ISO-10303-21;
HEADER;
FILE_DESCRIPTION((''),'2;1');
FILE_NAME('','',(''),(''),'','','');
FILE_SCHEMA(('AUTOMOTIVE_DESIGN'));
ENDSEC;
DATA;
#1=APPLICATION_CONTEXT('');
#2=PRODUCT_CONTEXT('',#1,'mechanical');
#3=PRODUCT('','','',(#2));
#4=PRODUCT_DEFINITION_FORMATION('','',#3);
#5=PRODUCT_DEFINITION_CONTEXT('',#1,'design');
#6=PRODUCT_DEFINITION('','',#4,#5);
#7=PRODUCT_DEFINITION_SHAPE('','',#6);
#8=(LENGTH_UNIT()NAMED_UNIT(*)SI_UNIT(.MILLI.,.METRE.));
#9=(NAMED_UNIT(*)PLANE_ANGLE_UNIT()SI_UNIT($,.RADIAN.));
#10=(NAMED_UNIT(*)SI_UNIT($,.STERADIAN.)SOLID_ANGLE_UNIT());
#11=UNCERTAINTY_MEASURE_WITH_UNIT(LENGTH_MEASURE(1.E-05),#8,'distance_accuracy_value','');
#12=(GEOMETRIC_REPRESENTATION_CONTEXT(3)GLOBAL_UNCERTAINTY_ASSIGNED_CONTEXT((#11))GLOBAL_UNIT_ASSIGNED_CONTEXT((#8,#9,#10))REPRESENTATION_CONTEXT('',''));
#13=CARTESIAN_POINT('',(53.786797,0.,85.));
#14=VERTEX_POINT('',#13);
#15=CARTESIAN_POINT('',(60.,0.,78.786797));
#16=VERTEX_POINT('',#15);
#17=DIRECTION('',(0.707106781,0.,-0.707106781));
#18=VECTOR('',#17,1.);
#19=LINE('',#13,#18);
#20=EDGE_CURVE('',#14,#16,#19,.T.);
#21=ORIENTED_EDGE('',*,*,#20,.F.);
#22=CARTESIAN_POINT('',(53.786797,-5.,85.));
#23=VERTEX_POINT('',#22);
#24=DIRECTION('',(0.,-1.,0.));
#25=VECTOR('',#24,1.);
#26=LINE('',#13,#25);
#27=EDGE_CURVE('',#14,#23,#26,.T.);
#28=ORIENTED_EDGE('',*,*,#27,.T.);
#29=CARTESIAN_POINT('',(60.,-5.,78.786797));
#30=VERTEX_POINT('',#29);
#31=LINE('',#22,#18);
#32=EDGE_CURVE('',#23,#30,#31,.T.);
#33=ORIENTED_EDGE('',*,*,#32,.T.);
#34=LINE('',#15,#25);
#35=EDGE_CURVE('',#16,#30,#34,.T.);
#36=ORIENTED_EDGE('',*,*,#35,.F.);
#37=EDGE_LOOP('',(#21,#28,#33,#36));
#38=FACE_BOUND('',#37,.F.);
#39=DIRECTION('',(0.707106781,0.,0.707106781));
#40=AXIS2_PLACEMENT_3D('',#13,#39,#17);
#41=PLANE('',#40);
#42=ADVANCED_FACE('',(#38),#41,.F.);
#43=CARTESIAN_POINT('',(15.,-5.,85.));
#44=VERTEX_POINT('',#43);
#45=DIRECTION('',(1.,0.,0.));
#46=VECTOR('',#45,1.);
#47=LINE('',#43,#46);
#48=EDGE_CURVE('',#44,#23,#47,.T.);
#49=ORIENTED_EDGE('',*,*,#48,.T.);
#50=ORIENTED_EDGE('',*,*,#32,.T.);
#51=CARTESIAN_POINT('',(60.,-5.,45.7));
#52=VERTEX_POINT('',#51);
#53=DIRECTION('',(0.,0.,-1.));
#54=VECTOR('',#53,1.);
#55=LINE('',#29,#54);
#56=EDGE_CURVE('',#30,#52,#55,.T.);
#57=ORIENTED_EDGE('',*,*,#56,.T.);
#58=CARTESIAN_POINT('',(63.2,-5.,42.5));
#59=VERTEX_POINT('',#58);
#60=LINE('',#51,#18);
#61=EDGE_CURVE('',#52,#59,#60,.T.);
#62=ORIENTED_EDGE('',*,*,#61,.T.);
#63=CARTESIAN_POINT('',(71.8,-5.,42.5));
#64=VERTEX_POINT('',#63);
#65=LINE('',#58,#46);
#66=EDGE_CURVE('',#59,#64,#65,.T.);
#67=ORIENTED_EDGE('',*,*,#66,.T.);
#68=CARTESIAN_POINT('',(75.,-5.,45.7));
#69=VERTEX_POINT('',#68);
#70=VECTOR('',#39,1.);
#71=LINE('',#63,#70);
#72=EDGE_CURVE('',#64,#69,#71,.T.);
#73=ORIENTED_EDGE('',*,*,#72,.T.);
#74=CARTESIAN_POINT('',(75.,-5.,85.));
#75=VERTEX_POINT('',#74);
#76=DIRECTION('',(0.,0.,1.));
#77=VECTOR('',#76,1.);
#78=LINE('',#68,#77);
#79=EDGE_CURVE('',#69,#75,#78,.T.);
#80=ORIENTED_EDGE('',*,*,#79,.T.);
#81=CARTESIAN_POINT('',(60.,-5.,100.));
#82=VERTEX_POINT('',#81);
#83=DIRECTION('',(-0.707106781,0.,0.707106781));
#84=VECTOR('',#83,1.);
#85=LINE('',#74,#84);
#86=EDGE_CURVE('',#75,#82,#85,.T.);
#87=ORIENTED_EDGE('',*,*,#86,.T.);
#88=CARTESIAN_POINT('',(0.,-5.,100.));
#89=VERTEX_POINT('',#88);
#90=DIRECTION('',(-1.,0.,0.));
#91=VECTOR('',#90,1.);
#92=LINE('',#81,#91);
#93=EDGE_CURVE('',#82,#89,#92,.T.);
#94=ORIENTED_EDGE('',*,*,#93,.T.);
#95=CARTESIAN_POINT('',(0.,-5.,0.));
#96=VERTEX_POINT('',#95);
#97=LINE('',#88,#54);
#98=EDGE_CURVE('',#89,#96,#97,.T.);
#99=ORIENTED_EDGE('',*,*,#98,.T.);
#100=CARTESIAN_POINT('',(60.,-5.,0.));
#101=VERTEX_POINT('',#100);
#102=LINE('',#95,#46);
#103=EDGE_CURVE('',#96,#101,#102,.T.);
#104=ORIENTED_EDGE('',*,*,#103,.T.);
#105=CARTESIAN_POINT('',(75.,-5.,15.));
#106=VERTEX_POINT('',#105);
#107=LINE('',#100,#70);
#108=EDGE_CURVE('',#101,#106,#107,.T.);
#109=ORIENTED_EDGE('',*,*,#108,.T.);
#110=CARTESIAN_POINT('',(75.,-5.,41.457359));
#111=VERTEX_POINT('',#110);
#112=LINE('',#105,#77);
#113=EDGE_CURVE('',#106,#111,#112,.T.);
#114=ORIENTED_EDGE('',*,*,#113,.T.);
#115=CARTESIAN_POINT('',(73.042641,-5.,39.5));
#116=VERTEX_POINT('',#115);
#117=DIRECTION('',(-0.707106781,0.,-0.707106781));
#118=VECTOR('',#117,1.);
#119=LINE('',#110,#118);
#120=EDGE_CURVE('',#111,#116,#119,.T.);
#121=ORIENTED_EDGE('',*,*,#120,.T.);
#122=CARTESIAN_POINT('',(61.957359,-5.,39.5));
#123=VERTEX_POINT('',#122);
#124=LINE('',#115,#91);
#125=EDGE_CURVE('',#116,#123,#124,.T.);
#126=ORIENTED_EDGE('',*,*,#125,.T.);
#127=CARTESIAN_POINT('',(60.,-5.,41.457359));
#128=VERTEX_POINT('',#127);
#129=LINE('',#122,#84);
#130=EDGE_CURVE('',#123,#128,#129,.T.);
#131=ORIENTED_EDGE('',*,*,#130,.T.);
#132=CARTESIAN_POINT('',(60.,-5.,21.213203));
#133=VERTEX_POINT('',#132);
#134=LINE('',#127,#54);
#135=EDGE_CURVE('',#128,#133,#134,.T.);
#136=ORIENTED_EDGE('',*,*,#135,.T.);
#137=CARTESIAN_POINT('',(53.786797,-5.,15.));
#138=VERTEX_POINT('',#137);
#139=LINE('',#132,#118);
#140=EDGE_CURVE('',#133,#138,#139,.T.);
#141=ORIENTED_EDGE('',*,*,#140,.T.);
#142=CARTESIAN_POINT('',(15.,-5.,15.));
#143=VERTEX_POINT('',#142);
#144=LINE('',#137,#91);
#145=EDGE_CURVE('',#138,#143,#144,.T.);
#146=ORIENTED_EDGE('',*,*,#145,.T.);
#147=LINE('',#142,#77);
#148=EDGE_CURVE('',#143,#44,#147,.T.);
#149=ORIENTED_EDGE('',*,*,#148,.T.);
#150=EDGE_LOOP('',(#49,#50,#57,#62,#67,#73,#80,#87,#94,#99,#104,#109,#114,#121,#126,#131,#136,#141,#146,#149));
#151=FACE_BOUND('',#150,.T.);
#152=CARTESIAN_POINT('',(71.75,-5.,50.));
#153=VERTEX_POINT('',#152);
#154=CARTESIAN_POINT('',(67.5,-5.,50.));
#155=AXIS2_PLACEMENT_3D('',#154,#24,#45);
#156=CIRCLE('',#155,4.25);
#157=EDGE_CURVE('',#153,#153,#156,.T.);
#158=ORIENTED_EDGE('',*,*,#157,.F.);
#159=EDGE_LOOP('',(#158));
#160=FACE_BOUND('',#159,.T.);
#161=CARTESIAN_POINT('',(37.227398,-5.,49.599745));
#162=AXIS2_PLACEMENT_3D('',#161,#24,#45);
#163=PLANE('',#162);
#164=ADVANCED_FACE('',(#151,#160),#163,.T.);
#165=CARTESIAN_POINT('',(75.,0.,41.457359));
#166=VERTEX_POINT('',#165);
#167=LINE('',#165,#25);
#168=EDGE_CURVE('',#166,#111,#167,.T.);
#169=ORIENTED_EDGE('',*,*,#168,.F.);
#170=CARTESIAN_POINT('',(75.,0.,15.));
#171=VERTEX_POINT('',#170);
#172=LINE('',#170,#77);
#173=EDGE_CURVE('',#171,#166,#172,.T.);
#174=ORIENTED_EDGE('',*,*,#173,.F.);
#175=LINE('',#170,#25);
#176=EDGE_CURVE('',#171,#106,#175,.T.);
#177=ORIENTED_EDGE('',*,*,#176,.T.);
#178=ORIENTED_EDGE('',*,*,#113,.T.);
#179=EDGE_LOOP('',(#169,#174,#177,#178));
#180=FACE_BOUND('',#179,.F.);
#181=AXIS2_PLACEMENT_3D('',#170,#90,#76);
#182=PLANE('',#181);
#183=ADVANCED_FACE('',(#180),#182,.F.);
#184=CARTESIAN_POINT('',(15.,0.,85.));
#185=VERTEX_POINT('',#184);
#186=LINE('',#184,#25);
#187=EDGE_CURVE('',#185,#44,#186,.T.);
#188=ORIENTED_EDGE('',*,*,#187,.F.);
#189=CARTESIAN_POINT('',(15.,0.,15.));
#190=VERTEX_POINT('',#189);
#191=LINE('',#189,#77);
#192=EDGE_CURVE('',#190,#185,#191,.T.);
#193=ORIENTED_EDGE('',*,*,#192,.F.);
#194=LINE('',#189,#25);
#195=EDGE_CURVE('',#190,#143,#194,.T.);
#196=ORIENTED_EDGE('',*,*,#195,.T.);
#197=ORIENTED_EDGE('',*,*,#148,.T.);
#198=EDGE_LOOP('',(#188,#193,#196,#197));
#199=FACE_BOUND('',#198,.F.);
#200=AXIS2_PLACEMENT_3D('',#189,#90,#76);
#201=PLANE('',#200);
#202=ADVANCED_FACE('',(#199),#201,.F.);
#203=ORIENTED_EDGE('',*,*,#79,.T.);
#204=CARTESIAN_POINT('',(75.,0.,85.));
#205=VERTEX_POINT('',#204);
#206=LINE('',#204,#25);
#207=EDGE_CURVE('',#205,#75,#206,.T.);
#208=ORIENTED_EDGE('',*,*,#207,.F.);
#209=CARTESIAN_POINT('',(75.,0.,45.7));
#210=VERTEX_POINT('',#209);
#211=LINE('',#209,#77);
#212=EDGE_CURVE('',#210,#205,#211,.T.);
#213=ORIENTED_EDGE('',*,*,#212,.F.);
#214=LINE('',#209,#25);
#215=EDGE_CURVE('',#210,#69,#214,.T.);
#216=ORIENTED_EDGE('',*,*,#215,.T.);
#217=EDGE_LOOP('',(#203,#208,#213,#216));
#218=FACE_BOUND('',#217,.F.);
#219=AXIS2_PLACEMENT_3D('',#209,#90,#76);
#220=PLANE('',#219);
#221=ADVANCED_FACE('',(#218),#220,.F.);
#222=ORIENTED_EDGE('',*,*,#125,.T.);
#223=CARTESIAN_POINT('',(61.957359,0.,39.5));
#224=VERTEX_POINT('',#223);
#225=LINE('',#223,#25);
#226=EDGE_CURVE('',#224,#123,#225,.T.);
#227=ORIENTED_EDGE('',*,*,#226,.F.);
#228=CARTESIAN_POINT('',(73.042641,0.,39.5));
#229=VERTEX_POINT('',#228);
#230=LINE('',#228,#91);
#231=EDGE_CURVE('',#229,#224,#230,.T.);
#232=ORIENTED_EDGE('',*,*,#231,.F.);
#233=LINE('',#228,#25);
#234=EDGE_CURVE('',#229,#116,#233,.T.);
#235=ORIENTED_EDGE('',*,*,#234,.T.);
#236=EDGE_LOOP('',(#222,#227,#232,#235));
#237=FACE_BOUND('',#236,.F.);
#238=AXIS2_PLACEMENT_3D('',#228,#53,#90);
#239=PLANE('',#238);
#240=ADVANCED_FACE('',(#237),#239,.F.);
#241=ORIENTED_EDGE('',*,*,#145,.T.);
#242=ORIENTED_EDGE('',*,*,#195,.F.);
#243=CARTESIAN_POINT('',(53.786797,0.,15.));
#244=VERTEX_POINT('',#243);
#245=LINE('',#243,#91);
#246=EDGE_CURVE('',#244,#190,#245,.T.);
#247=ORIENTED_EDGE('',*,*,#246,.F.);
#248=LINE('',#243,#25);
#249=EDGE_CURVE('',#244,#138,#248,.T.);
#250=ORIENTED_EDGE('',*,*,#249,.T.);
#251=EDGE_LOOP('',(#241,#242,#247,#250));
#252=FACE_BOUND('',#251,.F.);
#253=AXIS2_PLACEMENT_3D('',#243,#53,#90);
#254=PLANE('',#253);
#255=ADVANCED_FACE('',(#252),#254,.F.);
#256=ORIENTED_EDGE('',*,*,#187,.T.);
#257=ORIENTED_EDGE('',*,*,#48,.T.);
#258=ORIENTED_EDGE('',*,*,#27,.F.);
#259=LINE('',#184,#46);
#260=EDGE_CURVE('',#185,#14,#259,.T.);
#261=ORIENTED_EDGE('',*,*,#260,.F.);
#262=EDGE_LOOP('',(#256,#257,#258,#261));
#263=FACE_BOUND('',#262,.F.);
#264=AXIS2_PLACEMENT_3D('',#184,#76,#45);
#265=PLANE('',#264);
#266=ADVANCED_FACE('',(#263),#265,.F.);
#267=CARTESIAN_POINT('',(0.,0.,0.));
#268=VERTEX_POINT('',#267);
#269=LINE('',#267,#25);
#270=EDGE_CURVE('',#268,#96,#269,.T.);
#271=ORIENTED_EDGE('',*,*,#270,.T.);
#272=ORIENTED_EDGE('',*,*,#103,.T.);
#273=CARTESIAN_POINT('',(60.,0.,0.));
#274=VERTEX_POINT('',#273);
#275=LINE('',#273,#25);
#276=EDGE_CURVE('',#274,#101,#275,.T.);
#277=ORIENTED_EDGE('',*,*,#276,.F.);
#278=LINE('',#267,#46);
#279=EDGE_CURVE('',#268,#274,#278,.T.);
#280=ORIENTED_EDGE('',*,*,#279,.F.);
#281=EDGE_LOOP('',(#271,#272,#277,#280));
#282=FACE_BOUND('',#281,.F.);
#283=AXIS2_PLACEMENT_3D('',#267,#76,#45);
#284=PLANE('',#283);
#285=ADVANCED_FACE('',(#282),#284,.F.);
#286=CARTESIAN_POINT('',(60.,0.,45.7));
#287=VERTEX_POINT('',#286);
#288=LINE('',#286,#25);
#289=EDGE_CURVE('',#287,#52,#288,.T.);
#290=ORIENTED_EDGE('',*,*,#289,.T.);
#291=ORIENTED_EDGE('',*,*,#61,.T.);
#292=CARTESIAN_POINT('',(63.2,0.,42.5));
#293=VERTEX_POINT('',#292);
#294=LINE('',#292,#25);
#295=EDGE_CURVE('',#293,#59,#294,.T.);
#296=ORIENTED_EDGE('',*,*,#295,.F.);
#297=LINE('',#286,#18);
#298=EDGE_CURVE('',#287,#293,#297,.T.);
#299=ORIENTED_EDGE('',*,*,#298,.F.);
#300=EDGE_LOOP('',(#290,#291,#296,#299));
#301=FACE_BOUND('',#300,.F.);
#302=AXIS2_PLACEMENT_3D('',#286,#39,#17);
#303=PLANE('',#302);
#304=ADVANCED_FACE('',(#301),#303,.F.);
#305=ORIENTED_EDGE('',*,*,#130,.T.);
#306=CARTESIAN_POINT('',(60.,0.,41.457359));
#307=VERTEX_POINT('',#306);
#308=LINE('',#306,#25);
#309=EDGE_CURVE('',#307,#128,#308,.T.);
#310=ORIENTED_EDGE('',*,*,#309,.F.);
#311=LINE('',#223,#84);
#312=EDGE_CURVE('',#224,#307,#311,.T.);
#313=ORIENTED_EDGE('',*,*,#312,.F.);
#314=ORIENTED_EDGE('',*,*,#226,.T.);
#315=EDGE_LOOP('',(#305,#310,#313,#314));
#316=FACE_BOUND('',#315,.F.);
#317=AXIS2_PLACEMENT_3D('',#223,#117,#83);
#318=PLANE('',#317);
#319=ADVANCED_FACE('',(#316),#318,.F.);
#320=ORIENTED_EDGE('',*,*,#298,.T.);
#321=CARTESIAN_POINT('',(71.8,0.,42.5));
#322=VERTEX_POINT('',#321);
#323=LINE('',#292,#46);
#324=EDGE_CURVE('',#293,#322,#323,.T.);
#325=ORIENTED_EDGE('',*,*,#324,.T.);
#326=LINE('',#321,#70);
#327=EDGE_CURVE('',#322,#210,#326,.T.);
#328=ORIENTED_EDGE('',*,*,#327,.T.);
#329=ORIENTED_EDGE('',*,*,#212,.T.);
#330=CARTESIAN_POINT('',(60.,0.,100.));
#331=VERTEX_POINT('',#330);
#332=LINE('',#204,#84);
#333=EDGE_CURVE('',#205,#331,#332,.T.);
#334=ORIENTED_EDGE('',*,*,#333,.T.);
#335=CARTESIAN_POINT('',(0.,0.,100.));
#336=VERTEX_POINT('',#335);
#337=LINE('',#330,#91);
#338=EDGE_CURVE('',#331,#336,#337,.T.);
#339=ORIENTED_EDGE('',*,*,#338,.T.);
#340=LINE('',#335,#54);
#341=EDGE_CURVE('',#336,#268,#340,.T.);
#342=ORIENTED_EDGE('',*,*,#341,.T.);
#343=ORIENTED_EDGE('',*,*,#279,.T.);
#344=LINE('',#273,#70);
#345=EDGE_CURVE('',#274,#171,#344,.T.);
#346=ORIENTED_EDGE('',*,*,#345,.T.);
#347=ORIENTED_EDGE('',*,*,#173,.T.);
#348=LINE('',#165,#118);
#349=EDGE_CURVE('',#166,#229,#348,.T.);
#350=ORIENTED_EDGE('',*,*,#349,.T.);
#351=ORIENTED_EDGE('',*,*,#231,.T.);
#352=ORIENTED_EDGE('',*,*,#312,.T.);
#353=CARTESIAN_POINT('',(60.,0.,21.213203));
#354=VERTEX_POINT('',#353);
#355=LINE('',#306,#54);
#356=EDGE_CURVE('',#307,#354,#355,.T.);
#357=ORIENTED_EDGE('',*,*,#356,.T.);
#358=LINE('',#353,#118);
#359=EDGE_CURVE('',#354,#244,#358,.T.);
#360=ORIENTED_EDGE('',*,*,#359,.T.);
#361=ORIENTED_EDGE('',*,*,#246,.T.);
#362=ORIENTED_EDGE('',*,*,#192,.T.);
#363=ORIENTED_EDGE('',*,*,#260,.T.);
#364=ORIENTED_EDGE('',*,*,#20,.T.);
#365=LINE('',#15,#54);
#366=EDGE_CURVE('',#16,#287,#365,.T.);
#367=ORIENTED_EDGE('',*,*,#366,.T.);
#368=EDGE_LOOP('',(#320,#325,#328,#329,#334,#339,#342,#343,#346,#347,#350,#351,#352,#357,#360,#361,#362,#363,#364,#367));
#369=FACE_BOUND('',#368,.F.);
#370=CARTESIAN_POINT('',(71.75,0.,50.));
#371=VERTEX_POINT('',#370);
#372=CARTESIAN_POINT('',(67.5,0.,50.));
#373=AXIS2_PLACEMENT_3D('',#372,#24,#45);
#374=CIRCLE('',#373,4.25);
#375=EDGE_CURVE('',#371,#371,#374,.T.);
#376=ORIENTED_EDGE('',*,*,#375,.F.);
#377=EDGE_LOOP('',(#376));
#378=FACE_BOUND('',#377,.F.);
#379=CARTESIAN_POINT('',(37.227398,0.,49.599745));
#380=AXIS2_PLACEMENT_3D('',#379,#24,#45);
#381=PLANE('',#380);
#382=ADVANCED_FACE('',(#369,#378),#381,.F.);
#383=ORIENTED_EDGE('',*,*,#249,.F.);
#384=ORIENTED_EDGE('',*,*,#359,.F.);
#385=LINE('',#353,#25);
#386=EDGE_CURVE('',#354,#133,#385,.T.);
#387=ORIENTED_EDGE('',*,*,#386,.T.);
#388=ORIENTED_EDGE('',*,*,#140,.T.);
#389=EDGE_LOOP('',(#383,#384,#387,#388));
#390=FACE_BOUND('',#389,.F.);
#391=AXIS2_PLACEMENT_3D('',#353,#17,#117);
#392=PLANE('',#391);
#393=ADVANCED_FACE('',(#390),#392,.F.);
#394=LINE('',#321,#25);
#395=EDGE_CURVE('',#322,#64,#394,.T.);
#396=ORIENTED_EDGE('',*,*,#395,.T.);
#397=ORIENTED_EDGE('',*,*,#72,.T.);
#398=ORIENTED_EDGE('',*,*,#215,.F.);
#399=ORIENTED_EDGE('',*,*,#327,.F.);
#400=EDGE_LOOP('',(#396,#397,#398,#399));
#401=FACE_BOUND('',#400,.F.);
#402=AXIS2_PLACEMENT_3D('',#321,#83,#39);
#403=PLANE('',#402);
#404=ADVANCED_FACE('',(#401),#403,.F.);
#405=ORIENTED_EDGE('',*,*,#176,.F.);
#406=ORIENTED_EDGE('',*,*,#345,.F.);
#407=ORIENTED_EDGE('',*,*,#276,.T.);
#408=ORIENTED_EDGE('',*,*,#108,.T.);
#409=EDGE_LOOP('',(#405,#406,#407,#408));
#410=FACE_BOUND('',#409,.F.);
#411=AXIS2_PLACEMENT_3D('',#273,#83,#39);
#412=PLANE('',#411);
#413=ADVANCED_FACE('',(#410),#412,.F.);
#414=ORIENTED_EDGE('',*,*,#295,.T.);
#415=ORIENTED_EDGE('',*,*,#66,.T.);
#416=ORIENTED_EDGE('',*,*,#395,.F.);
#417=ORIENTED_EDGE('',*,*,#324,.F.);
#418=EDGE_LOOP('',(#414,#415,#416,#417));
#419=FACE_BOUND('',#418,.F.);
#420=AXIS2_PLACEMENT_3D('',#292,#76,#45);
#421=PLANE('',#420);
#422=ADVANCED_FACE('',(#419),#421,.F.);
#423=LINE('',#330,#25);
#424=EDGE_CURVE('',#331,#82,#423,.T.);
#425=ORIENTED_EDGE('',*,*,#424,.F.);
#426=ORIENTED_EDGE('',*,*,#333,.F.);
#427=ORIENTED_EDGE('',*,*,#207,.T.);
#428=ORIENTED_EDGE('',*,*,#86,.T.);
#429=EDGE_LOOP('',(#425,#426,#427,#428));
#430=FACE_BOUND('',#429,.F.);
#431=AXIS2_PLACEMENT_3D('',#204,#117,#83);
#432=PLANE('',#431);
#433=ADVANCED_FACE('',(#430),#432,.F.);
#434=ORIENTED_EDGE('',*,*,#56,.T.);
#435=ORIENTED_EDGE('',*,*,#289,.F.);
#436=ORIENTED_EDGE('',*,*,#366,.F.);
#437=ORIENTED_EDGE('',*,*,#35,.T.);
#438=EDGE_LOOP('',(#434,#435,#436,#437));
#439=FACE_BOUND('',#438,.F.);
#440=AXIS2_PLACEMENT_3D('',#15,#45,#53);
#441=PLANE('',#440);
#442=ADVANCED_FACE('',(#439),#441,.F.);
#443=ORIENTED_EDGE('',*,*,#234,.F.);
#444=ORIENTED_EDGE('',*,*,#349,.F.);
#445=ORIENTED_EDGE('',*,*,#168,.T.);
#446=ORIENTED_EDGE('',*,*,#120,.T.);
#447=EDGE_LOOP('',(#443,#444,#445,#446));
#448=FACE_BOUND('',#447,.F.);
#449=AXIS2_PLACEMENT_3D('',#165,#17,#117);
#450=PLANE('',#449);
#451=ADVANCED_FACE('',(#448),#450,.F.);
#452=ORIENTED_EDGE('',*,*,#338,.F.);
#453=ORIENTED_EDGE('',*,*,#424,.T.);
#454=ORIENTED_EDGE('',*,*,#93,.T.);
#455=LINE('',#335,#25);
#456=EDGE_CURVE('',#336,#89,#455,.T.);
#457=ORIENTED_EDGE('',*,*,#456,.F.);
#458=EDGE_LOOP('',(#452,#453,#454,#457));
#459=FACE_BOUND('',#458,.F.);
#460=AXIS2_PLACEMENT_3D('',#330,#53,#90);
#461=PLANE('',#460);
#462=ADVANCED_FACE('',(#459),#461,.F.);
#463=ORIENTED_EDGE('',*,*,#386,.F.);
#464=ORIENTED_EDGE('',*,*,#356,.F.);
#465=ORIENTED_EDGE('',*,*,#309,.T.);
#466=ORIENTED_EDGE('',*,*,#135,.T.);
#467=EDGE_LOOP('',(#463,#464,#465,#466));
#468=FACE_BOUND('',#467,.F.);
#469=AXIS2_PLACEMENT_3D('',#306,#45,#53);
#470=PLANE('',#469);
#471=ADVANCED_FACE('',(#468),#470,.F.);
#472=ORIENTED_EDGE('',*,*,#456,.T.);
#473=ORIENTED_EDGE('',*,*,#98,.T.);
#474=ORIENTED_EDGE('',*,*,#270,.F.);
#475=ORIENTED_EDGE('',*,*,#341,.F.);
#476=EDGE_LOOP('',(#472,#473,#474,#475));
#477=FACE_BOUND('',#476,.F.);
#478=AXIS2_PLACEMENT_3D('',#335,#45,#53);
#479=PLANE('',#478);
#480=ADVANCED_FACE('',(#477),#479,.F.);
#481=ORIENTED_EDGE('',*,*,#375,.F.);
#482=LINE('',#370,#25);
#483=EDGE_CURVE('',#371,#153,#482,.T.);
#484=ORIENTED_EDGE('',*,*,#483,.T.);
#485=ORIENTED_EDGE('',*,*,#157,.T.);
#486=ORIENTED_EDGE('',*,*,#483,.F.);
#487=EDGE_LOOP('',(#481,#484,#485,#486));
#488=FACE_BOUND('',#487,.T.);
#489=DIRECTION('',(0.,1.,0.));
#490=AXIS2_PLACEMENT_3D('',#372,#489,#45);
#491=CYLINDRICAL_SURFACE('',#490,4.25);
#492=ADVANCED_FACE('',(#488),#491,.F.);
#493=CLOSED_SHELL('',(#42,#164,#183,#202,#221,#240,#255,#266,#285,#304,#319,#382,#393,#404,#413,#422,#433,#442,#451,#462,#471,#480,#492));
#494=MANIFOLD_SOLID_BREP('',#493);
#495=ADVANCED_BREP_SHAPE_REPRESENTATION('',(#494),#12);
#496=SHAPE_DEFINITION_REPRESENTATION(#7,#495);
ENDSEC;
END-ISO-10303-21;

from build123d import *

# Parameters (mm, degrees)
F0_R     = 4.25
F1_DEPTH = 5


with BuildPart() as f1:
    # F0 (on Front) → F1 (new body)
    with BuildSketch(Plane.XZ):
        Polygon((0, 100), (0, 0), (60, 0), (75, 15), (75, 41.457359), (73.042641, 39.5), (61.957359, 39.5), (60, 41.457359), (60, 21.213203), (53.786797, 15), (15, 15), (15, 85), (53.786797, 85), (60, 78.786797), (60, 45.7), (63.2, 42.5), (71.8, 42.5), (75, 45.7), (75, 85), (60, 100), align=None)
        with Locations((67.5, 50)):
            Circle(F0_R, mode=Mode.SUBTRACT)
    extrude(amount=F1_DEPTH)


solid = f1.part
